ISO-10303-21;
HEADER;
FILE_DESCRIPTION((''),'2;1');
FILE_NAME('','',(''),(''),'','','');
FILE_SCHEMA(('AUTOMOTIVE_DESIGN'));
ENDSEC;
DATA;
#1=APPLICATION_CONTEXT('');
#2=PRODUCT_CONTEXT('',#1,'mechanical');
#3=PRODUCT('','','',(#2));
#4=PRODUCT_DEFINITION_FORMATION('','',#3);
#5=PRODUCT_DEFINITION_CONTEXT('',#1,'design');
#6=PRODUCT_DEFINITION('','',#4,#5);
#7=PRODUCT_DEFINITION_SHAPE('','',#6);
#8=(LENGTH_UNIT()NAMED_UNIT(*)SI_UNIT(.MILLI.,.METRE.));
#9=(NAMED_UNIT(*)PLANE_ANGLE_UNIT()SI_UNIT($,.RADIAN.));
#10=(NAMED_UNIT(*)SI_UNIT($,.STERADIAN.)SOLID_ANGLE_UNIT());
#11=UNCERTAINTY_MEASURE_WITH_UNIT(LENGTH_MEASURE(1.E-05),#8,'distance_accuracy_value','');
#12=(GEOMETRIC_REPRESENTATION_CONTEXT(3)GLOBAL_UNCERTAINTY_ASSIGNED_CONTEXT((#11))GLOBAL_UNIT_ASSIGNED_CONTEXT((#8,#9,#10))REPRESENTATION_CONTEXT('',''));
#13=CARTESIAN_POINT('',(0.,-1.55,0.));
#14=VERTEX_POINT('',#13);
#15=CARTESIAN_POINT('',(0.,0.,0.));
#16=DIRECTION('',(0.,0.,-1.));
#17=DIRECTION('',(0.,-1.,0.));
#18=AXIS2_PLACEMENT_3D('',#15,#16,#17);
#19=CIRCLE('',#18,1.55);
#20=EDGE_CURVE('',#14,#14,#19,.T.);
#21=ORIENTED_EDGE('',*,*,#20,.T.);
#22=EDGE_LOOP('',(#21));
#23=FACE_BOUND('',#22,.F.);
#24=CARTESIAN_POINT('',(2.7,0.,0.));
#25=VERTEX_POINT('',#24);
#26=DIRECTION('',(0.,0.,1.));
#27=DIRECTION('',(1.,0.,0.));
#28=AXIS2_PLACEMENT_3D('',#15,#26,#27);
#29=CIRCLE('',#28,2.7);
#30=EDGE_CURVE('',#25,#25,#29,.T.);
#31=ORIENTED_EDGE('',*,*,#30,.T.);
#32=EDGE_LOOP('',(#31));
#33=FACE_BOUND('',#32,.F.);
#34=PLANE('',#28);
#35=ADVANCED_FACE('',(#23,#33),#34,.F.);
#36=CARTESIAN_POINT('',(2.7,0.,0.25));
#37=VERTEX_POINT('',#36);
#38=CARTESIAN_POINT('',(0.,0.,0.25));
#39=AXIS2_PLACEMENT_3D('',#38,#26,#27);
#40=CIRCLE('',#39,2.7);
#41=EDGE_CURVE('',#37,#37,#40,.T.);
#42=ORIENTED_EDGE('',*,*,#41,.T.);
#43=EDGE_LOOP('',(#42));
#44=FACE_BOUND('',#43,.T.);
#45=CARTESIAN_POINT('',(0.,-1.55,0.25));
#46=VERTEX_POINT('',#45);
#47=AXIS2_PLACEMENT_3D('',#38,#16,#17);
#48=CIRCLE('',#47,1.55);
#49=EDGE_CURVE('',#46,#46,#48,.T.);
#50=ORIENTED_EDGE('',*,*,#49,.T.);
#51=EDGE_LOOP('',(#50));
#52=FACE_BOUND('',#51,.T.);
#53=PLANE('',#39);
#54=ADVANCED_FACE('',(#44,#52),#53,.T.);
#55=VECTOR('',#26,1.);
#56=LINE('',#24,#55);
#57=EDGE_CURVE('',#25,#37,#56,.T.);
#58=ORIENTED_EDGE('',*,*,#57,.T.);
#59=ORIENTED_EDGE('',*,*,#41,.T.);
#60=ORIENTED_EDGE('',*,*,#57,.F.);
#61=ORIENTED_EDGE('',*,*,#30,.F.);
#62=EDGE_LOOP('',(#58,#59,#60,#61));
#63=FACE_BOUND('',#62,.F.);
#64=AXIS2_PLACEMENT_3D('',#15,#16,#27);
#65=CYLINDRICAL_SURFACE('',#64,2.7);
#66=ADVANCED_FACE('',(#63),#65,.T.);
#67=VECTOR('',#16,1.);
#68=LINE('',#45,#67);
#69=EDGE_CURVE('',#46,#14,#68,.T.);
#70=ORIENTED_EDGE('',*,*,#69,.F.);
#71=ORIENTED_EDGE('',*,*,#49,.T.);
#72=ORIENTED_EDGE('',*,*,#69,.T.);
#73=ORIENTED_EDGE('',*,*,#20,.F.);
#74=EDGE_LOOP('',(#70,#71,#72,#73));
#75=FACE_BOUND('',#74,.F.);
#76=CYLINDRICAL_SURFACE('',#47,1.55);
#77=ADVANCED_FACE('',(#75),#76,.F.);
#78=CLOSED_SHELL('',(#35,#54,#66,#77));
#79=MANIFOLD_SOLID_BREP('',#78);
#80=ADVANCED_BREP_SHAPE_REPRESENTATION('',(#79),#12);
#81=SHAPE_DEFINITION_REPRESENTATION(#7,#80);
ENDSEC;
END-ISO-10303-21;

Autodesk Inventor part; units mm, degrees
ref_plane "YZ Plane" through (0, 0, 0) normal (1, 0, 0) x (0, 1, 0)
ref_plane "XZ Plane" through (0, 0, 0) normal (0, 1, 0) x (-1, 0, 0)
ref_plane "XY Plane" through (0, 0, 0) normal (0, 0, 1) x (1, 0, 0)
sketch "スケッチ1" plane through (0, 0, 0) normal (0, 0, 1) x (1, 0, 0)
  circle A0 centre (0, 0) radius 2.7
  dimension "d0" = 5.4
extrude "押し出し1" add sketch "スケッチ1" along normal blind 0.25
sketch "スケッチ2" plane through (0, 0, 0.25) normal (0, 0, 1) x (1, 0, 0)
  point P0 (0, 0)
  point P1 (0, 0)
hole "穴1" at (0, 0, 0.25) direction (0, 0, -1) diameter 3.1 end through all
properties part number "樹脂ワッシャ(ポリスライダー)"
